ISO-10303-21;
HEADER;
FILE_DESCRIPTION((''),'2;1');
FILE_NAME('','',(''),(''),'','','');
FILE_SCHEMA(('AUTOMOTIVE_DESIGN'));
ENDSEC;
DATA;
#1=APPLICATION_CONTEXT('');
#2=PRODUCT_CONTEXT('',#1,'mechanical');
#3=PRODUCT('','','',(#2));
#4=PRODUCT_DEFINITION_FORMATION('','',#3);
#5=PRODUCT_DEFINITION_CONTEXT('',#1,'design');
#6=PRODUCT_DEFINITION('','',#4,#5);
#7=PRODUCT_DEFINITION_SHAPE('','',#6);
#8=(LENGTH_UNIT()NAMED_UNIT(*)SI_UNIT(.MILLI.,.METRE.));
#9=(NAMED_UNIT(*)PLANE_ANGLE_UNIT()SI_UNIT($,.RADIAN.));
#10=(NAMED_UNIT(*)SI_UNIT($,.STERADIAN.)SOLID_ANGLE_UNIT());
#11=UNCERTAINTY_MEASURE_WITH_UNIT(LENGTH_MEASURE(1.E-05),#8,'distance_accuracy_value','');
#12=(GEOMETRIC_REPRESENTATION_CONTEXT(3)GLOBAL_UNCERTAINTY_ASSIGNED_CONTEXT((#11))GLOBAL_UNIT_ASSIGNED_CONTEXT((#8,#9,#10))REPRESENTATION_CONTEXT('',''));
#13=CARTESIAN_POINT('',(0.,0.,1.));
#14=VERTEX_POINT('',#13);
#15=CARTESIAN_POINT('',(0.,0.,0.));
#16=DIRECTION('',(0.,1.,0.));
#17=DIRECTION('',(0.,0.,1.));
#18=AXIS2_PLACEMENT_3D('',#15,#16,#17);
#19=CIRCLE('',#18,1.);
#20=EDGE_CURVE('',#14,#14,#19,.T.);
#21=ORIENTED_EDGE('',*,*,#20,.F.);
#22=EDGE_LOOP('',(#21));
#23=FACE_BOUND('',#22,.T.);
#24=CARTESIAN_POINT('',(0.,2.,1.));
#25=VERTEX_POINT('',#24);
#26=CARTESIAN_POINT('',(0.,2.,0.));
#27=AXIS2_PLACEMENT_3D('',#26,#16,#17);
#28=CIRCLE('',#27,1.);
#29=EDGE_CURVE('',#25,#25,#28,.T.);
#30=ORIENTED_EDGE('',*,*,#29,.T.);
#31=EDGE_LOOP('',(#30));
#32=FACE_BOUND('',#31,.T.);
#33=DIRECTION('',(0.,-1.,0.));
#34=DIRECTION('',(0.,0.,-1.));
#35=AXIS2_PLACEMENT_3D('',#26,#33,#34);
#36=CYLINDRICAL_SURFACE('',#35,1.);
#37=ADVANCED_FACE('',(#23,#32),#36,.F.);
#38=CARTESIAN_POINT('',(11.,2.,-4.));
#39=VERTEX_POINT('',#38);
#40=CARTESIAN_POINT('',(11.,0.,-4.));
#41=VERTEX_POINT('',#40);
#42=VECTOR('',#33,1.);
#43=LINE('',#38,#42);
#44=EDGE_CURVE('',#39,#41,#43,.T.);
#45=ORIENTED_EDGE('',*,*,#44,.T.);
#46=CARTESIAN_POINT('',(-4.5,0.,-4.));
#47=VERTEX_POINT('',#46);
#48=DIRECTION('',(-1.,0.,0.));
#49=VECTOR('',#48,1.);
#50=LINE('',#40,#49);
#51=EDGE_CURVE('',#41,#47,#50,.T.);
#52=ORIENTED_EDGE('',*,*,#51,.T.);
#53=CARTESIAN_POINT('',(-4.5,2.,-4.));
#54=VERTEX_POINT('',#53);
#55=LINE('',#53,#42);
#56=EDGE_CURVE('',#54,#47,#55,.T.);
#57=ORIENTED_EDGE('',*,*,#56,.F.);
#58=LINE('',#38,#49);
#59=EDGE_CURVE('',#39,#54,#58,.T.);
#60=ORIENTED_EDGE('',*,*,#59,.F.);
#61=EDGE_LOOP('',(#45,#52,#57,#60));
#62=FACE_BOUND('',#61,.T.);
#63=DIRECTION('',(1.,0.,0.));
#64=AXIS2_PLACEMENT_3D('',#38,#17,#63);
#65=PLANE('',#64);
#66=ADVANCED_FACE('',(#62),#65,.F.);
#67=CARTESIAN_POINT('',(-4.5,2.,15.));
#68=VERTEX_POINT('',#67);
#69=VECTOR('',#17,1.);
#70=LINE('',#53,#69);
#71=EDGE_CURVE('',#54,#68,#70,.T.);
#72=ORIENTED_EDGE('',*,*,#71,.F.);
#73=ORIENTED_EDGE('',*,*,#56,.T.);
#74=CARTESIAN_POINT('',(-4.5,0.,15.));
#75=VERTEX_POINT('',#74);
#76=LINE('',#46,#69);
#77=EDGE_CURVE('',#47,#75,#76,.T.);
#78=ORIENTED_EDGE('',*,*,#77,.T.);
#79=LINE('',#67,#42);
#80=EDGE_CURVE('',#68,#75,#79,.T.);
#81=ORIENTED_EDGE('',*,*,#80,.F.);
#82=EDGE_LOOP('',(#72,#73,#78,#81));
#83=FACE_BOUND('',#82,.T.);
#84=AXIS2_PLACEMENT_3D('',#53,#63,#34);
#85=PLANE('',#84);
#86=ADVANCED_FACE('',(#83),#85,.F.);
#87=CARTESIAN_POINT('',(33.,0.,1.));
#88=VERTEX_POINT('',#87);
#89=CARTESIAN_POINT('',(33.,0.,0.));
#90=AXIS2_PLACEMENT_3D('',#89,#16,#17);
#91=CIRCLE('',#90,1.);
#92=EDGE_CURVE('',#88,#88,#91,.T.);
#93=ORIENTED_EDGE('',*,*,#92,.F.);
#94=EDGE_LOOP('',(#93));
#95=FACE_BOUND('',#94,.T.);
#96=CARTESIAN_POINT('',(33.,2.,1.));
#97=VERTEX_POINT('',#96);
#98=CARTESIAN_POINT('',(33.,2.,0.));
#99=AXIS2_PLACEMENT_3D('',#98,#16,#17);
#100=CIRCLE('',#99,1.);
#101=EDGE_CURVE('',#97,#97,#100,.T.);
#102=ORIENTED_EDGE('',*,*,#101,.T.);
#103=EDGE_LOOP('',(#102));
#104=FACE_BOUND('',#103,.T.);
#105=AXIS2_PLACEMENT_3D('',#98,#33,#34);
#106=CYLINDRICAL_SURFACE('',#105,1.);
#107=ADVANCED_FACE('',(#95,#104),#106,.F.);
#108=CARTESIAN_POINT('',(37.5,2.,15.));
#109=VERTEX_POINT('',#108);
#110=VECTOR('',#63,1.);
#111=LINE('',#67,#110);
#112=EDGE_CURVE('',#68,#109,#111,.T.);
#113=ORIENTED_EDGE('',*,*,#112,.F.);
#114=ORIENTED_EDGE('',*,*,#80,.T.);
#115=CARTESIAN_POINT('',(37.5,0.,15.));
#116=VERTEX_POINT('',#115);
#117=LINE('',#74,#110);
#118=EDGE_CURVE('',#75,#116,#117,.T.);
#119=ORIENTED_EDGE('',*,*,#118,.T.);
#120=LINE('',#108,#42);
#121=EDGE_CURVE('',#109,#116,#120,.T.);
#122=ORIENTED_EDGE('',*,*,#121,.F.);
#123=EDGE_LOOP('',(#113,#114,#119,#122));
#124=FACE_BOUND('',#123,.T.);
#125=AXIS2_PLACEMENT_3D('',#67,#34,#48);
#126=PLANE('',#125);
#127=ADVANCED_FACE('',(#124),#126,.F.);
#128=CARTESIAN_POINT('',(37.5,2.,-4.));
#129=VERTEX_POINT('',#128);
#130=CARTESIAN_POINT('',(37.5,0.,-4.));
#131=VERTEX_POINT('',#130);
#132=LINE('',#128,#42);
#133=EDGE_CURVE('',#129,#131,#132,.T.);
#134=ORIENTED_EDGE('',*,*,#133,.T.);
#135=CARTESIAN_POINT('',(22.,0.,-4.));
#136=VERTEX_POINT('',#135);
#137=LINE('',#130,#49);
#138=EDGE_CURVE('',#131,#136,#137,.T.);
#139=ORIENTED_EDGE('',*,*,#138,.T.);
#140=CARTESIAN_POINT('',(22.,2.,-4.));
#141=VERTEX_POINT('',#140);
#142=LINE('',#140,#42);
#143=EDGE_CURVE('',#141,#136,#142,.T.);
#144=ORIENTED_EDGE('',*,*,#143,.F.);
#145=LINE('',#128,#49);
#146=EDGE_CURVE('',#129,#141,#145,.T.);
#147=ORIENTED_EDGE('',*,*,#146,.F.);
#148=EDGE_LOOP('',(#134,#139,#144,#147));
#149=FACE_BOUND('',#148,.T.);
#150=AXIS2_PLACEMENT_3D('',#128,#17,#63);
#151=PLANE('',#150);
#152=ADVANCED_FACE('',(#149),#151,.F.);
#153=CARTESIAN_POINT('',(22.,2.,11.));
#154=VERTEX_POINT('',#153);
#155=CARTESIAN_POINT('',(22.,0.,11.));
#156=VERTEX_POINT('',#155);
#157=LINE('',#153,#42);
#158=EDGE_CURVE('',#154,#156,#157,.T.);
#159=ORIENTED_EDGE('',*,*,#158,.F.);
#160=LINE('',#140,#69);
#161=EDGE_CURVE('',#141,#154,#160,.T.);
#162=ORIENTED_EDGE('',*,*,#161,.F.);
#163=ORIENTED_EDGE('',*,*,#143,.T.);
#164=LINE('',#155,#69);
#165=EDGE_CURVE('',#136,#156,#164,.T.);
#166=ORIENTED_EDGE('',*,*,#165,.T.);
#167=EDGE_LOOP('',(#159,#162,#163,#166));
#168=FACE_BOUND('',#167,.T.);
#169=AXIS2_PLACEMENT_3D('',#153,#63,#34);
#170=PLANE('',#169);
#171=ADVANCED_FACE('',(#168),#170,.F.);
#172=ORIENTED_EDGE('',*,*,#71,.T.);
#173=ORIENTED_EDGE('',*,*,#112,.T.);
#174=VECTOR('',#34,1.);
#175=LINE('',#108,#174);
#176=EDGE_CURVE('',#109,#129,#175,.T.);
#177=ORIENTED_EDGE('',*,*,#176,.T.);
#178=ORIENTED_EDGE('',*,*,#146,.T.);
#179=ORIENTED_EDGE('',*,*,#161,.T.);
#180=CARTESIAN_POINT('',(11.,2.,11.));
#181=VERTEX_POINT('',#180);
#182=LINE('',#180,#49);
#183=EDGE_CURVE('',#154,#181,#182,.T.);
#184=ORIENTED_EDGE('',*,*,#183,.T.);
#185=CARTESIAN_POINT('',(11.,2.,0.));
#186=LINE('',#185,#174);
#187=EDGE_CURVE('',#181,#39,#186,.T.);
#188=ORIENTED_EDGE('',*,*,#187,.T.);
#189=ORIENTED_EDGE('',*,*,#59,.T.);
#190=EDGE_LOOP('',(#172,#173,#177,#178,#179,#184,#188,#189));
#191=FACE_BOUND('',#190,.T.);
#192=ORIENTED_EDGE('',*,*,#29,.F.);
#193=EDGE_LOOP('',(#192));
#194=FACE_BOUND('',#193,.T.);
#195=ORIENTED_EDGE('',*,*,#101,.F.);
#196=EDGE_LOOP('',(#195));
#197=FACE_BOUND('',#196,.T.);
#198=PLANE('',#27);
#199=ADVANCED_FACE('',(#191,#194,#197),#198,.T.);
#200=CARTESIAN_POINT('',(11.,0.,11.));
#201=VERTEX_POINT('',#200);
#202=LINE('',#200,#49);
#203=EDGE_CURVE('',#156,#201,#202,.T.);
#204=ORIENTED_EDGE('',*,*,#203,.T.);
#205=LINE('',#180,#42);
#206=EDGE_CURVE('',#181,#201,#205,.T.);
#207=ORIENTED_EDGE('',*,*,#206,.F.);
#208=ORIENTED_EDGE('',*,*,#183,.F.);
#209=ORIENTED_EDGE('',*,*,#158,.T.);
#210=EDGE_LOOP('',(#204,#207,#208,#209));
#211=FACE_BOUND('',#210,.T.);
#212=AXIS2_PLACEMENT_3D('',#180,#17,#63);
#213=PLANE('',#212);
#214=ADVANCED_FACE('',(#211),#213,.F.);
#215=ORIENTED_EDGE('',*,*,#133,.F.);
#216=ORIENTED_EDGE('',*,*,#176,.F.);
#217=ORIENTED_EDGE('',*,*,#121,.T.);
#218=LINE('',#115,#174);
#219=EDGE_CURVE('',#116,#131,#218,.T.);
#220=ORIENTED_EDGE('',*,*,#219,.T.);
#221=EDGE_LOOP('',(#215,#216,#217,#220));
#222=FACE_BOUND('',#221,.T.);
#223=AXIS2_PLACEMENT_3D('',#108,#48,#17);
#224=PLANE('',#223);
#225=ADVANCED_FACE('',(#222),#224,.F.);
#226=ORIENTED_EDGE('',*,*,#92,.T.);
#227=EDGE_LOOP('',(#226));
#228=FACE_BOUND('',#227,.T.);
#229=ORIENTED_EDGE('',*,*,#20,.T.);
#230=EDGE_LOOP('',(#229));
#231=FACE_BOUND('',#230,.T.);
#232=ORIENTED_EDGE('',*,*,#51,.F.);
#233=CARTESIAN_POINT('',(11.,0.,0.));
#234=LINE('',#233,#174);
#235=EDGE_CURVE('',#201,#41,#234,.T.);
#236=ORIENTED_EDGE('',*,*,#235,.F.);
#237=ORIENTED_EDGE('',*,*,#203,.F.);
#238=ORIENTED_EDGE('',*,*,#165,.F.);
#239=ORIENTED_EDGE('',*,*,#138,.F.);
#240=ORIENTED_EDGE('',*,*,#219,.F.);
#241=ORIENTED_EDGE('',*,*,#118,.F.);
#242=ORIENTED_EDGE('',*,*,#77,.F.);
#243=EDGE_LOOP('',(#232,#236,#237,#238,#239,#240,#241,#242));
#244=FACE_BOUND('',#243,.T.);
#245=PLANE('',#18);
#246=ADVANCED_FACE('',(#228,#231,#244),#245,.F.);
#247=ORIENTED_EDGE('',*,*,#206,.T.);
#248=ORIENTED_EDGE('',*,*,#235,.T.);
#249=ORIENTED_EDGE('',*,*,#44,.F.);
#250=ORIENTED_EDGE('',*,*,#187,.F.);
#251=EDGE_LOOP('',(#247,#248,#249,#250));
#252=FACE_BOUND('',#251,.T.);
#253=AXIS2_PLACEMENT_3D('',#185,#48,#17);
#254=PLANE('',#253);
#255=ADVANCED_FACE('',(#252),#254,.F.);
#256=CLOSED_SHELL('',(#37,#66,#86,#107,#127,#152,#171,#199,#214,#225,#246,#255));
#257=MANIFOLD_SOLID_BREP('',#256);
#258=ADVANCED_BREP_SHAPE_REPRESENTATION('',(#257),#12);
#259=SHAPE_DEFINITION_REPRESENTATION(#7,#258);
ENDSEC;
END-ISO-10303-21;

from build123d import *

# Parameters (mm, degrees)
SKETCH_1_R      = 1
EXTRUDE_1_DEPTH = 2


with BuildPart() as part:
    # Эскиз1 → Бобышка-Вытянуть1 (new body)
    with BuildSketch(Plane(origin=(0, 0, 0), x_dir=(1, 0, 0), z_dir=(0, 1, 0))):
        Polygon((11, 0), (11, -11), (22, -11), (22, 0), (22, 4), (37.5, 4), (37.5, -15), (-4.5, -15), (-4.5, 4), (11, 4), align=None)
        with Locations(Location((0, 0, 0), (0, 0, 270))):
            Circle(SKETCH_1_R, mode=Mode.SUBTRACT)
        with Locations(Location((33, 0, 0), (0, 0, 270))):
            Circle(SKETCH_1_R, mode=Mode.SUBTRACT)
    extrude(amount=EXTRUDE_1_DEPTH)


solid = part.part
